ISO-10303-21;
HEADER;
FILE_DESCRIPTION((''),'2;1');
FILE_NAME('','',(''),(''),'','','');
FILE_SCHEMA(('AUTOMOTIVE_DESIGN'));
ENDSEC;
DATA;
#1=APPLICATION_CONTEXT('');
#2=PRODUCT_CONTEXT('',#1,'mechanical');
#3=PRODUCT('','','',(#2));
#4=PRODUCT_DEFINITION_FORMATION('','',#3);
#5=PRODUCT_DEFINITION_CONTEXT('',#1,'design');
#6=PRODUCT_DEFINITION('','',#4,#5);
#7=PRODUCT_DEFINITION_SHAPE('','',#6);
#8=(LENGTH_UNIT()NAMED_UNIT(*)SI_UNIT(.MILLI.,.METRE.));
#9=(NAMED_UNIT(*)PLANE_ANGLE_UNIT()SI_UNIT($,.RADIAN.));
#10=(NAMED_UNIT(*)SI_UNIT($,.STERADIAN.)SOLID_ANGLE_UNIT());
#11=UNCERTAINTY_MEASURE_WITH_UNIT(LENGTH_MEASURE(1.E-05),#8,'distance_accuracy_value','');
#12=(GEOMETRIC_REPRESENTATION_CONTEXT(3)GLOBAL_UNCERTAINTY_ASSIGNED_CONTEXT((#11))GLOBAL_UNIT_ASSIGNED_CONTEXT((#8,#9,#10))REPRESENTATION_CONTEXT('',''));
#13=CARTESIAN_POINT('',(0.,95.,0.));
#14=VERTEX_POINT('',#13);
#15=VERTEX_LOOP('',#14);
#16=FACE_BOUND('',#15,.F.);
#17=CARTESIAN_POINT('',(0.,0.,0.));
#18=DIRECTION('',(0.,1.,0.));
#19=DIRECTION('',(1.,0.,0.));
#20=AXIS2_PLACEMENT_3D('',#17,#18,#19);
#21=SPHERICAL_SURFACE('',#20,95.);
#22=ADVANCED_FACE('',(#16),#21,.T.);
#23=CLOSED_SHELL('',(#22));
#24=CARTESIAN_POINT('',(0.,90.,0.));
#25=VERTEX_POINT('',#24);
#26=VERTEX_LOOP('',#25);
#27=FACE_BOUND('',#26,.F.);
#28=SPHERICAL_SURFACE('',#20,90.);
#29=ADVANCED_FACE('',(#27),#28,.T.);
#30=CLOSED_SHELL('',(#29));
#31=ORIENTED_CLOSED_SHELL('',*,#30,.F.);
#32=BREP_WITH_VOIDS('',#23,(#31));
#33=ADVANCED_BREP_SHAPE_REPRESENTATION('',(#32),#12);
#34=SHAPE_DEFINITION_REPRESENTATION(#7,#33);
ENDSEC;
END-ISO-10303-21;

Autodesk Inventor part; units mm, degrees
ref_plane "YZ Plane" through (0, 0, 0) normal (1, 0, 0) x (0, 1, 0)
ref_plane "XZ Plane" through (0, 0, 0) normal (0, 1, 0) x (-1, 0, 0)
ref_plane "XY Plane" through (0, 0, 0) normal (0, 0, 1) x (1, 0, 0)
sketch "Skizze2" plane through (0, 0, 0) normal (0, 0, 1) x (1, 0, 0)
  line L0 (0, 90) -> (0, 95)
  arc A0 (0, -95) -> (0, 95) centre (0, 0) ccw
  line L1 (0, -95) -> (0, -90)
  arc A1 (0, -90) -> (0, 90) centre (0, 0) ccw
  line L2 (0, 129.0476) -> (0, -140.3376) construction
  dimension "d1" = 5
  dimension "d2" = 5
  dimension "d3" = 190
revolve "Umdrehung1" add sketch "Skizze2" angle 360 about axis through (0, 129.0476, 0) along (0, -1, 0)
properties part number "Kugel_Voll"
